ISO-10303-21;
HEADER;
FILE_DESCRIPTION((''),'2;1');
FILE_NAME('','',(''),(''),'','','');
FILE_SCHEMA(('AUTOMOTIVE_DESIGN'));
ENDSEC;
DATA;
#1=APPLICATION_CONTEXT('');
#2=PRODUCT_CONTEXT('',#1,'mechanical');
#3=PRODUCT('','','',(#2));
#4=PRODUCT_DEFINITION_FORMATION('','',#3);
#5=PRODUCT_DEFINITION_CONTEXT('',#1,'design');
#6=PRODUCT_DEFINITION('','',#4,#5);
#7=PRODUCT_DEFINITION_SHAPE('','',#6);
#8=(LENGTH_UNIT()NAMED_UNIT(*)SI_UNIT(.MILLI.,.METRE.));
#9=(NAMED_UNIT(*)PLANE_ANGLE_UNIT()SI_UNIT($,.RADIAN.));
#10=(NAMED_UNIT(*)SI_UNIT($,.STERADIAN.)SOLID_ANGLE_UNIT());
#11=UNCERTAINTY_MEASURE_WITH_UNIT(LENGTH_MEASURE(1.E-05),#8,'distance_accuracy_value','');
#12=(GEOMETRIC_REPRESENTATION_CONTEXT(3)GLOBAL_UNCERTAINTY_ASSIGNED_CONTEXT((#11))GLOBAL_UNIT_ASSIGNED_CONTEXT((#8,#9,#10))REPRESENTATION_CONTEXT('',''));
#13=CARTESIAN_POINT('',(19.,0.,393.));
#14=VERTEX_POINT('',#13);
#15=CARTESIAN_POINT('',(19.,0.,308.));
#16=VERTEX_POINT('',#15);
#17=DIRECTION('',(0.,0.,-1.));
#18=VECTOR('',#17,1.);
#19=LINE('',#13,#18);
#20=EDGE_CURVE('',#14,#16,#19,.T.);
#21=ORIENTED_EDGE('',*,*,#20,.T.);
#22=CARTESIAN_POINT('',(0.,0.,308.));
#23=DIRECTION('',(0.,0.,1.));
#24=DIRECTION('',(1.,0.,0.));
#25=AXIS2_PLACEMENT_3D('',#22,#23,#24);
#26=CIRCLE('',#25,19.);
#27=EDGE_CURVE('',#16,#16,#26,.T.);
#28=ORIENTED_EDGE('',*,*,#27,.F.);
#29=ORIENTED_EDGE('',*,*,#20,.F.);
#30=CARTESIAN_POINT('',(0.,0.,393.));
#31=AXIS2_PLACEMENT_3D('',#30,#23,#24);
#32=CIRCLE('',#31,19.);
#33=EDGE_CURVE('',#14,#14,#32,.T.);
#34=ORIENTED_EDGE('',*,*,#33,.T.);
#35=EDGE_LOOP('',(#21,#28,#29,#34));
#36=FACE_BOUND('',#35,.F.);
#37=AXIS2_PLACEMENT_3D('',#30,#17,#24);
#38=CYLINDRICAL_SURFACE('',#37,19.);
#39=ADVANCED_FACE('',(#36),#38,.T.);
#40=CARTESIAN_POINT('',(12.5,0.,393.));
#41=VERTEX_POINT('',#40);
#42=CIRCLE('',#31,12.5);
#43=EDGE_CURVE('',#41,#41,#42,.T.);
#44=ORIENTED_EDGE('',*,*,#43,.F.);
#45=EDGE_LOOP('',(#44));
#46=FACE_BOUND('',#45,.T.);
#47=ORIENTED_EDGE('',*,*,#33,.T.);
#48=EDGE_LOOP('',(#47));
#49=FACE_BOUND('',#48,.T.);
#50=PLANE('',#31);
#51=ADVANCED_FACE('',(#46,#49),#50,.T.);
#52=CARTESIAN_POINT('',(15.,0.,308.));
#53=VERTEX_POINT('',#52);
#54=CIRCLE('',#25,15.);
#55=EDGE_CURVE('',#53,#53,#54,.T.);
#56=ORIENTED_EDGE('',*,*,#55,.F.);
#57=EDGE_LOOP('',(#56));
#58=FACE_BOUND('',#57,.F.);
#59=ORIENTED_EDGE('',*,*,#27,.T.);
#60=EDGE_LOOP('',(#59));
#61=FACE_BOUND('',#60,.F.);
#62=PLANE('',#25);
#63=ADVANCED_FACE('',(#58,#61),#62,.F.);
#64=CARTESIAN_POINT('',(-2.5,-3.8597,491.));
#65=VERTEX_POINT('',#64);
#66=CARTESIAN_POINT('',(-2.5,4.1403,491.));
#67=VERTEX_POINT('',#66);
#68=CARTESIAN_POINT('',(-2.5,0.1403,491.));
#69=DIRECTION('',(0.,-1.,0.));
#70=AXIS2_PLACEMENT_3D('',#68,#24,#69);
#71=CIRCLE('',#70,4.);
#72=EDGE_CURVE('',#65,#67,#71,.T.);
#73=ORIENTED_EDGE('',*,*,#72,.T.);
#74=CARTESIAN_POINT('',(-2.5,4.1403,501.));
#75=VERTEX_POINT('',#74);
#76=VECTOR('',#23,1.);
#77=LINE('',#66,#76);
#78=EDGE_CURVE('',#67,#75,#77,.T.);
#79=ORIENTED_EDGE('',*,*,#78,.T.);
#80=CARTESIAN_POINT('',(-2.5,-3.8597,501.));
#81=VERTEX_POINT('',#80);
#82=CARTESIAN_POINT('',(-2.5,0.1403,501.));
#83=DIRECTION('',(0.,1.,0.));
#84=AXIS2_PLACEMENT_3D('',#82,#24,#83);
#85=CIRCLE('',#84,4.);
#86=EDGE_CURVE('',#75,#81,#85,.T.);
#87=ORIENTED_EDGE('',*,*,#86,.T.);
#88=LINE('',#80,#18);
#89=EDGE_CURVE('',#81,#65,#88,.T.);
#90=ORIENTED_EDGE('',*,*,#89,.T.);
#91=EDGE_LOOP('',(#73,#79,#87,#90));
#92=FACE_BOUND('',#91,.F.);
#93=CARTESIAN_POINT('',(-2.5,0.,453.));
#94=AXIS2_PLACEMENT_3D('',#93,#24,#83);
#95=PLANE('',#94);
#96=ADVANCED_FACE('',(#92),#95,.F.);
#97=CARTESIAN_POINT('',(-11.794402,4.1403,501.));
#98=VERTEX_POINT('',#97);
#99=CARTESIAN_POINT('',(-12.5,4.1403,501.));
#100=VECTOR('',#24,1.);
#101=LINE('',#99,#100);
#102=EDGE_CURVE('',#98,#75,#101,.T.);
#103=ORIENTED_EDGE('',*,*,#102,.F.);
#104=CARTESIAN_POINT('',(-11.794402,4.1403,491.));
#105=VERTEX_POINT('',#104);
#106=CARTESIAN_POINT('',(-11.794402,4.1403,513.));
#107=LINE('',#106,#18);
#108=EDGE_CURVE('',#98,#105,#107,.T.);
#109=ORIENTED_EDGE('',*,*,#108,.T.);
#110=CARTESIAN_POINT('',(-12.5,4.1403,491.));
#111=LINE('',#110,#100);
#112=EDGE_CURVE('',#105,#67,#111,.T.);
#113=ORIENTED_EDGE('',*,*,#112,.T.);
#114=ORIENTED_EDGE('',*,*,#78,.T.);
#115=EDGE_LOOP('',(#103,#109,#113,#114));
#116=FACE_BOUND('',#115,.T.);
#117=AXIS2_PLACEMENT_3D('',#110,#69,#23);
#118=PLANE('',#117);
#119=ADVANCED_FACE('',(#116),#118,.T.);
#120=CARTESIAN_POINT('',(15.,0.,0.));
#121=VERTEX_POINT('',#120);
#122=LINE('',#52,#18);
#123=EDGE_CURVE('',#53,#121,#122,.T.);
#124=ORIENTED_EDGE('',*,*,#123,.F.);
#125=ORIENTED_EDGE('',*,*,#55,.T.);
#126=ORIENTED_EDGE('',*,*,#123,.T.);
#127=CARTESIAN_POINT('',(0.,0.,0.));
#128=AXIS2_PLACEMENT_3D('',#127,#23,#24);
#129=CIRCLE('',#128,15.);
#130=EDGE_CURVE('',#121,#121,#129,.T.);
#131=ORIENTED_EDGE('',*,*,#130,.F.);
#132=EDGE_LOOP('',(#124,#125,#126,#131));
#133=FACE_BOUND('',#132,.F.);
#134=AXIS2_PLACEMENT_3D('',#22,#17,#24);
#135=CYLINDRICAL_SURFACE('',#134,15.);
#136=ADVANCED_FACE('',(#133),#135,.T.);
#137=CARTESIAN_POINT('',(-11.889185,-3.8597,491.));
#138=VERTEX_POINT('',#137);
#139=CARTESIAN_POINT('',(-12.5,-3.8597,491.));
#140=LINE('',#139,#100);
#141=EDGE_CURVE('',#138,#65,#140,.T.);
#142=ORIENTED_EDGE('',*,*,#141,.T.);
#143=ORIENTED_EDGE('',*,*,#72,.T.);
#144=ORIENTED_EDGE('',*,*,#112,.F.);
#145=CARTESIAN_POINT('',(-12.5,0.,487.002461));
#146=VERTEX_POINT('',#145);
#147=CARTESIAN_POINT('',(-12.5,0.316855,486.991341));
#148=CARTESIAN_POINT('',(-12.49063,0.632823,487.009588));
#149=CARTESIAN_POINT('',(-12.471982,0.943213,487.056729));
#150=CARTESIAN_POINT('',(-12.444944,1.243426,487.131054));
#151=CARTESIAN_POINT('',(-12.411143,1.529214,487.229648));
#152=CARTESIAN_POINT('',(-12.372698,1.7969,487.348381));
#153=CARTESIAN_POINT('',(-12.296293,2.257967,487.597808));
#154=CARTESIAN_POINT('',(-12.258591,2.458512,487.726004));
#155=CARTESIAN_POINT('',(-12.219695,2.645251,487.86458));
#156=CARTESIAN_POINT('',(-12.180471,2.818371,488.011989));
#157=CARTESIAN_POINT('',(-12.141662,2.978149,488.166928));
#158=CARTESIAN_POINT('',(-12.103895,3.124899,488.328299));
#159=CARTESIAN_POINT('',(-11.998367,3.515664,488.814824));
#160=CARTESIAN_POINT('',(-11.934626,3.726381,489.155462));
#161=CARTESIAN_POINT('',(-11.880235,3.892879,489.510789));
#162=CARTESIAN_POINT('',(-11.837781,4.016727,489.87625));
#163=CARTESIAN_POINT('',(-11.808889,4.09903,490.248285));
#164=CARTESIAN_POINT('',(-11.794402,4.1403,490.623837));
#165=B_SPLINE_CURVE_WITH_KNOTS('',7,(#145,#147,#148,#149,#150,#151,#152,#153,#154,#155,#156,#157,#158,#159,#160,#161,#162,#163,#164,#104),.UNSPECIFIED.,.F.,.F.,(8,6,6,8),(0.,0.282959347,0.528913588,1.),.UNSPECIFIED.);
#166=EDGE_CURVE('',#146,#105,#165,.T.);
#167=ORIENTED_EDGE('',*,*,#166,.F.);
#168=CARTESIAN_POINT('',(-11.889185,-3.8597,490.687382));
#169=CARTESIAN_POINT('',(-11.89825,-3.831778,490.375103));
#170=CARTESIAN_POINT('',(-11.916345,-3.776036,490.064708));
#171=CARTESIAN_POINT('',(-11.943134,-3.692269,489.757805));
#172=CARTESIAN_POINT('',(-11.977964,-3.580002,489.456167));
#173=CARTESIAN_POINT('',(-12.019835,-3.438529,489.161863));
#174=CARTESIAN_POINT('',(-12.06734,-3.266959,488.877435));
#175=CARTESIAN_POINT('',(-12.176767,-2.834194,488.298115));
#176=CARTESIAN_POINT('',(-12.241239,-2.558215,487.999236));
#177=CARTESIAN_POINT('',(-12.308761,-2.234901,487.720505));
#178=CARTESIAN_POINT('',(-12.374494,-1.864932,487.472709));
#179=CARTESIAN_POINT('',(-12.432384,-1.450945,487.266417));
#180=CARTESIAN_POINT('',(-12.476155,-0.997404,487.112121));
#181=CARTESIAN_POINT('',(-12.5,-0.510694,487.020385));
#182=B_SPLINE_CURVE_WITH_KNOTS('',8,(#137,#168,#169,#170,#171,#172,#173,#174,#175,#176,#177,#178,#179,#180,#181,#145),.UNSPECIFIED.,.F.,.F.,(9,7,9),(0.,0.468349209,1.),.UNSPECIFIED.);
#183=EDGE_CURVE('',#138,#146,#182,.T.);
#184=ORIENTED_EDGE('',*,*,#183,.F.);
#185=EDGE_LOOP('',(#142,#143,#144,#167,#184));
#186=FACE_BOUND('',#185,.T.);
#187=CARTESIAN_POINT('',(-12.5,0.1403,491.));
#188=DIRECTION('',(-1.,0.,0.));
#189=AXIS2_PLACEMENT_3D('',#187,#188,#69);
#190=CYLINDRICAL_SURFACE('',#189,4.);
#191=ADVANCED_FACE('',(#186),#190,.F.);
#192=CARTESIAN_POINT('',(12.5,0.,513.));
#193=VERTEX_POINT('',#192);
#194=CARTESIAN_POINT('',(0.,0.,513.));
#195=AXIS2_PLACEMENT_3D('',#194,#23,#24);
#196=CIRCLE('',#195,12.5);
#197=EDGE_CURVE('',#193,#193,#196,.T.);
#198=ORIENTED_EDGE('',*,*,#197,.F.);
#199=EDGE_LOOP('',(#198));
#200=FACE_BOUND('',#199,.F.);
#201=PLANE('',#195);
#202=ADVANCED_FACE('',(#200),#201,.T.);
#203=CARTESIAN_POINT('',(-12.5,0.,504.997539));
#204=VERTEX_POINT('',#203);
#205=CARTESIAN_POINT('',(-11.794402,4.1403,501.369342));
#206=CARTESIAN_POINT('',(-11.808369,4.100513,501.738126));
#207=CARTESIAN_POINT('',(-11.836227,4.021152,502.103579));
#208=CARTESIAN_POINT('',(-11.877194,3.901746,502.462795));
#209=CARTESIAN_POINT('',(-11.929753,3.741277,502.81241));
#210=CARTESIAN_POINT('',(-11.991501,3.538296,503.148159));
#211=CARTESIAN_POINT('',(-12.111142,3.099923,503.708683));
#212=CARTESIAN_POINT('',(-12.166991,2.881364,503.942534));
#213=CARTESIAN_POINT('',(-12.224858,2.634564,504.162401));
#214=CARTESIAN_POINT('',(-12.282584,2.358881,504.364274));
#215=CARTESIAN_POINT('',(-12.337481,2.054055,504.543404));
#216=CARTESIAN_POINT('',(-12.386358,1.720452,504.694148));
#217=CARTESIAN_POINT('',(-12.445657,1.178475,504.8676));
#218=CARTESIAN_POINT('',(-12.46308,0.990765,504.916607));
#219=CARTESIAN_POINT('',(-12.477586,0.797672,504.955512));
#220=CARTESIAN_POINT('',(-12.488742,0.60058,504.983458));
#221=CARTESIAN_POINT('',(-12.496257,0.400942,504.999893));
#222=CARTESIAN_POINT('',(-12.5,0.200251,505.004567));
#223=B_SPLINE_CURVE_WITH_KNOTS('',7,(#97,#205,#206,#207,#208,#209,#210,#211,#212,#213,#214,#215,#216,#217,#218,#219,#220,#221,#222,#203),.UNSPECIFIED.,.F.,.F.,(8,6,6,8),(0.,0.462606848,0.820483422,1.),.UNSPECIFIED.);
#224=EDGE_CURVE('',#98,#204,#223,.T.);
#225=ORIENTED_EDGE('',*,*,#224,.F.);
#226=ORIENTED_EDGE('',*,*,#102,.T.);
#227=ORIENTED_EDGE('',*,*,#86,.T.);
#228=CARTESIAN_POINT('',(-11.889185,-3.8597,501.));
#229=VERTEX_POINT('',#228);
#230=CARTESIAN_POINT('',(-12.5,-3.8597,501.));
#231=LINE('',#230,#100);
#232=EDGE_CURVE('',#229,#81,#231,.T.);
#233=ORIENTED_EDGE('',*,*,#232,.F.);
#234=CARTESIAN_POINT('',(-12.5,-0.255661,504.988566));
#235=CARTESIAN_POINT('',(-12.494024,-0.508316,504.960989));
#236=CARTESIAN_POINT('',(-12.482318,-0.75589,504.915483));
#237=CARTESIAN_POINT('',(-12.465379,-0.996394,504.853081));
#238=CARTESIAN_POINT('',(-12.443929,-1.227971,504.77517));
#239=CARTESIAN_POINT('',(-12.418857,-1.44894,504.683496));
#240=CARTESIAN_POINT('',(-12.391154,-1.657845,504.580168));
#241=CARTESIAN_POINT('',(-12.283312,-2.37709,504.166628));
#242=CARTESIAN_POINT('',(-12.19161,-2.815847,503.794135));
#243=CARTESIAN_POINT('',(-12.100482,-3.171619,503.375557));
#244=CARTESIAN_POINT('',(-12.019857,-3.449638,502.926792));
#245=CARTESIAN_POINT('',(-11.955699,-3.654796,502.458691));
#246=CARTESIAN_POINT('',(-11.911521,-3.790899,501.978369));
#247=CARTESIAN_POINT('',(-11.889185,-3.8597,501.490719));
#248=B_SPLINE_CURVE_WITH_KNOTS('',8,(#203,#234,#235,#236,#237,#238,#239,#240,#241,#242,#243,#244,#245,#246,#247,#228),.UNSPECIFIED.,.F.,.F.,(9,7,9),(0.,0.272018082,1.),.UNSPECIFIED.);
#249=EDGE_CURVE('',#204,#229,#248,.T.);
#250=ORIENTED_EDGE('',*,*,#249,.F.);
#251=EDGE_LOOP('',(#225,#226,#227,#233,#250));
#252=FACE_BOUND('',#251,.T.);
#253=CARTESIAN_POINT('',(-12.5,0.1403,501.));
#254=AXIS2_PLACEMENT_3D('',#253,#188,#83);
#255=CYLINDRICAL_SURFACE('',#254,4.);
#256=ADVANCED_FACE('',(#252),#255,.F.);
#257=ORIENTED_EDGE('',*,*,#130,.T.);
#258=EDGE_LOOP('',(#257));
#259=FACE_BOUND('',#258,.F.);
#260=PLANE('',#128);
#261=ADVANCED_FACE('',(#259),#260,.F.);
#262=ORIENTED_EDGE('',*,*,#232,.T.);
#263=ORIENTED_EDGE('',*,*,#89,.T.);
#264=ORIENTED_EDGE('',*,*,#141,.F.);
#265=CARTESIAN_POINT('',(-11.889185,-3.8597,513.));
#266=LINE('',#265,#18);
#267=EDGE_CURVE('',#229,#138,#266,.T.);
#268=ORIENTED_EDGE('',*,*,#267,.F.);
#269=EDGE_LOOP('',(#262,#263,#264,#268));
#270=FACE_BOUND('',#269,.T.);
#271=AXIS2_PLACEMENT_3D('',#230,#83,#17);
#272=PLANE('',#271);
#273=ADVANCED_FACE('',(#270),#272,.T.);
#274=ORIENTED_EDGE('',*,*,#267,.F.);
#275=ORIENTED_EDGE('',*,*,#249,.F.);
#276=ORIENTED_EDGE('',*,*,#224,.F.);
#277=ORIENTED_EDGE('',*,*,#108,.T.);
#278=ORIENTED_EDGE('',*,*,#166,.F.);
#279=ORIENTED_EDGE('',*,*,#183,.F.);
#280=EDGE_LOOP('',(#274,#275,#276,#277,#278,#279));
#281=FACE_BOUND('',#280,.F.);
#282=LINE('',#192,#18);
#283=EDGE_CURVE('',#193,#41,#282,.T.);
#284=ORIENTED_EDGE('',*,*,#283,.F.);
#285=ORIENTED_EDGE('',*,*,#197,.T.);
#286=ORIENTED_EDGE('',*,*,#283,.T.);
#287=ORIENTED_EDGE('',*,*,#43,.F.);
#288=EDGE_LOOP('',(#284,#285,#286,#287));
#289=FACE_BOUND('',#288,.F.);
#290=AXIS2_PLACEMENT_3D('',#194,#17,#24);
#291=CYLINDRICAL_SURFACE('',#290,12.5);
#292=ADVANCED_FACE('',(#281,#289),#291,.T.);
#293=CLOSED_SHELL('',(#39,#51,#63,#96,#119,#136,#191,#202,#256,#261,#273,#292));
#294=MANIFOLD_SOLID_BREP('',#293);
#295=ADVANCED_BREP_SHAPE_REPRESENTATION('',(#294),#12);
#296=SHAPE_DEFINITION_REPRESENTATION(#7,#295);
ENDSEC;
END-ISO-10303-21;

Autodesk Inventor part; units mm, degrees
ref_plane "XZ Plane" through (0, 0, 0) normal (0, 1, 0) x (-1, 0, 0)
ref_plane "XY Plane" through (0, 0, 0) normal (0, 0, 1) x (1, 0, 0)
sketch "Sketch2" plane through (0, 0, 0) normal (0, 1, 0) x (-1, 0, 0)
  line L0 (0, 0) -> (0, 513)
  line L1 (0, 513) -> (-12.5, 513)
  line L2 (-12.5, 513) -> (-12.5, 393)
  line L3 (-19, 393) -> (-19, 308)
  line L4 (-19, 308) -> (-15, 308)
  line L5 (-15, 308) -> (-15, 0)
  line L6 (-15, 0) -> (0, 0)
  line L7 (-19, 393) -> (-12.5, 393)
  dimension "d6" = 30
  dimension "d11" = 308
  dimension "d12" = 85
  dimension "d13" = 120
  dimension "d14" = 38
  dimension "d15" = 25
revolve "Revolution1" add sketch "Sketch2" angle 360 about axis through (0, 0, 0) along (0, 0, 1)
ref_plane "Work Plane1" through (-12.5, 0, 453) normal (1, 0, 0) x (0, 1, 0)
sketch "Sketch3" plane through (-12.5, 0, 453) normal (1, 0, 0) x (0, 1, 0)
  line L0 (12.5, -60) -> (-12.5, -60) projected
  line L1 (12.5, 60) -> (-12.5, 60) projected
  line L2 (0.1403, 48) -> (0.1403, 38) construction
  line L3 (-3.8597, 48) -> (-3.8597, 38)
  line L4 (4.1403, 38) -> (4.1403, 48)
  arc A0 (4.1403, 48) -> (-3.8597, 48) centre (0.1403, 48) ccw
  arc A1 (-3.8597, 38) -> (4.1403, 38) centre (0.1403, 38) ccw
  point P0 (0, -453)
  point P1 (0.1403, 43)
  dimension "d8" = 12
  dimension "d9" = 8
  dimension "d10" = 10
extrude "Extrusion2" cut sketch "Sketch3" along normal blind 10
properties part number "NVPH-312 augur shaft"
